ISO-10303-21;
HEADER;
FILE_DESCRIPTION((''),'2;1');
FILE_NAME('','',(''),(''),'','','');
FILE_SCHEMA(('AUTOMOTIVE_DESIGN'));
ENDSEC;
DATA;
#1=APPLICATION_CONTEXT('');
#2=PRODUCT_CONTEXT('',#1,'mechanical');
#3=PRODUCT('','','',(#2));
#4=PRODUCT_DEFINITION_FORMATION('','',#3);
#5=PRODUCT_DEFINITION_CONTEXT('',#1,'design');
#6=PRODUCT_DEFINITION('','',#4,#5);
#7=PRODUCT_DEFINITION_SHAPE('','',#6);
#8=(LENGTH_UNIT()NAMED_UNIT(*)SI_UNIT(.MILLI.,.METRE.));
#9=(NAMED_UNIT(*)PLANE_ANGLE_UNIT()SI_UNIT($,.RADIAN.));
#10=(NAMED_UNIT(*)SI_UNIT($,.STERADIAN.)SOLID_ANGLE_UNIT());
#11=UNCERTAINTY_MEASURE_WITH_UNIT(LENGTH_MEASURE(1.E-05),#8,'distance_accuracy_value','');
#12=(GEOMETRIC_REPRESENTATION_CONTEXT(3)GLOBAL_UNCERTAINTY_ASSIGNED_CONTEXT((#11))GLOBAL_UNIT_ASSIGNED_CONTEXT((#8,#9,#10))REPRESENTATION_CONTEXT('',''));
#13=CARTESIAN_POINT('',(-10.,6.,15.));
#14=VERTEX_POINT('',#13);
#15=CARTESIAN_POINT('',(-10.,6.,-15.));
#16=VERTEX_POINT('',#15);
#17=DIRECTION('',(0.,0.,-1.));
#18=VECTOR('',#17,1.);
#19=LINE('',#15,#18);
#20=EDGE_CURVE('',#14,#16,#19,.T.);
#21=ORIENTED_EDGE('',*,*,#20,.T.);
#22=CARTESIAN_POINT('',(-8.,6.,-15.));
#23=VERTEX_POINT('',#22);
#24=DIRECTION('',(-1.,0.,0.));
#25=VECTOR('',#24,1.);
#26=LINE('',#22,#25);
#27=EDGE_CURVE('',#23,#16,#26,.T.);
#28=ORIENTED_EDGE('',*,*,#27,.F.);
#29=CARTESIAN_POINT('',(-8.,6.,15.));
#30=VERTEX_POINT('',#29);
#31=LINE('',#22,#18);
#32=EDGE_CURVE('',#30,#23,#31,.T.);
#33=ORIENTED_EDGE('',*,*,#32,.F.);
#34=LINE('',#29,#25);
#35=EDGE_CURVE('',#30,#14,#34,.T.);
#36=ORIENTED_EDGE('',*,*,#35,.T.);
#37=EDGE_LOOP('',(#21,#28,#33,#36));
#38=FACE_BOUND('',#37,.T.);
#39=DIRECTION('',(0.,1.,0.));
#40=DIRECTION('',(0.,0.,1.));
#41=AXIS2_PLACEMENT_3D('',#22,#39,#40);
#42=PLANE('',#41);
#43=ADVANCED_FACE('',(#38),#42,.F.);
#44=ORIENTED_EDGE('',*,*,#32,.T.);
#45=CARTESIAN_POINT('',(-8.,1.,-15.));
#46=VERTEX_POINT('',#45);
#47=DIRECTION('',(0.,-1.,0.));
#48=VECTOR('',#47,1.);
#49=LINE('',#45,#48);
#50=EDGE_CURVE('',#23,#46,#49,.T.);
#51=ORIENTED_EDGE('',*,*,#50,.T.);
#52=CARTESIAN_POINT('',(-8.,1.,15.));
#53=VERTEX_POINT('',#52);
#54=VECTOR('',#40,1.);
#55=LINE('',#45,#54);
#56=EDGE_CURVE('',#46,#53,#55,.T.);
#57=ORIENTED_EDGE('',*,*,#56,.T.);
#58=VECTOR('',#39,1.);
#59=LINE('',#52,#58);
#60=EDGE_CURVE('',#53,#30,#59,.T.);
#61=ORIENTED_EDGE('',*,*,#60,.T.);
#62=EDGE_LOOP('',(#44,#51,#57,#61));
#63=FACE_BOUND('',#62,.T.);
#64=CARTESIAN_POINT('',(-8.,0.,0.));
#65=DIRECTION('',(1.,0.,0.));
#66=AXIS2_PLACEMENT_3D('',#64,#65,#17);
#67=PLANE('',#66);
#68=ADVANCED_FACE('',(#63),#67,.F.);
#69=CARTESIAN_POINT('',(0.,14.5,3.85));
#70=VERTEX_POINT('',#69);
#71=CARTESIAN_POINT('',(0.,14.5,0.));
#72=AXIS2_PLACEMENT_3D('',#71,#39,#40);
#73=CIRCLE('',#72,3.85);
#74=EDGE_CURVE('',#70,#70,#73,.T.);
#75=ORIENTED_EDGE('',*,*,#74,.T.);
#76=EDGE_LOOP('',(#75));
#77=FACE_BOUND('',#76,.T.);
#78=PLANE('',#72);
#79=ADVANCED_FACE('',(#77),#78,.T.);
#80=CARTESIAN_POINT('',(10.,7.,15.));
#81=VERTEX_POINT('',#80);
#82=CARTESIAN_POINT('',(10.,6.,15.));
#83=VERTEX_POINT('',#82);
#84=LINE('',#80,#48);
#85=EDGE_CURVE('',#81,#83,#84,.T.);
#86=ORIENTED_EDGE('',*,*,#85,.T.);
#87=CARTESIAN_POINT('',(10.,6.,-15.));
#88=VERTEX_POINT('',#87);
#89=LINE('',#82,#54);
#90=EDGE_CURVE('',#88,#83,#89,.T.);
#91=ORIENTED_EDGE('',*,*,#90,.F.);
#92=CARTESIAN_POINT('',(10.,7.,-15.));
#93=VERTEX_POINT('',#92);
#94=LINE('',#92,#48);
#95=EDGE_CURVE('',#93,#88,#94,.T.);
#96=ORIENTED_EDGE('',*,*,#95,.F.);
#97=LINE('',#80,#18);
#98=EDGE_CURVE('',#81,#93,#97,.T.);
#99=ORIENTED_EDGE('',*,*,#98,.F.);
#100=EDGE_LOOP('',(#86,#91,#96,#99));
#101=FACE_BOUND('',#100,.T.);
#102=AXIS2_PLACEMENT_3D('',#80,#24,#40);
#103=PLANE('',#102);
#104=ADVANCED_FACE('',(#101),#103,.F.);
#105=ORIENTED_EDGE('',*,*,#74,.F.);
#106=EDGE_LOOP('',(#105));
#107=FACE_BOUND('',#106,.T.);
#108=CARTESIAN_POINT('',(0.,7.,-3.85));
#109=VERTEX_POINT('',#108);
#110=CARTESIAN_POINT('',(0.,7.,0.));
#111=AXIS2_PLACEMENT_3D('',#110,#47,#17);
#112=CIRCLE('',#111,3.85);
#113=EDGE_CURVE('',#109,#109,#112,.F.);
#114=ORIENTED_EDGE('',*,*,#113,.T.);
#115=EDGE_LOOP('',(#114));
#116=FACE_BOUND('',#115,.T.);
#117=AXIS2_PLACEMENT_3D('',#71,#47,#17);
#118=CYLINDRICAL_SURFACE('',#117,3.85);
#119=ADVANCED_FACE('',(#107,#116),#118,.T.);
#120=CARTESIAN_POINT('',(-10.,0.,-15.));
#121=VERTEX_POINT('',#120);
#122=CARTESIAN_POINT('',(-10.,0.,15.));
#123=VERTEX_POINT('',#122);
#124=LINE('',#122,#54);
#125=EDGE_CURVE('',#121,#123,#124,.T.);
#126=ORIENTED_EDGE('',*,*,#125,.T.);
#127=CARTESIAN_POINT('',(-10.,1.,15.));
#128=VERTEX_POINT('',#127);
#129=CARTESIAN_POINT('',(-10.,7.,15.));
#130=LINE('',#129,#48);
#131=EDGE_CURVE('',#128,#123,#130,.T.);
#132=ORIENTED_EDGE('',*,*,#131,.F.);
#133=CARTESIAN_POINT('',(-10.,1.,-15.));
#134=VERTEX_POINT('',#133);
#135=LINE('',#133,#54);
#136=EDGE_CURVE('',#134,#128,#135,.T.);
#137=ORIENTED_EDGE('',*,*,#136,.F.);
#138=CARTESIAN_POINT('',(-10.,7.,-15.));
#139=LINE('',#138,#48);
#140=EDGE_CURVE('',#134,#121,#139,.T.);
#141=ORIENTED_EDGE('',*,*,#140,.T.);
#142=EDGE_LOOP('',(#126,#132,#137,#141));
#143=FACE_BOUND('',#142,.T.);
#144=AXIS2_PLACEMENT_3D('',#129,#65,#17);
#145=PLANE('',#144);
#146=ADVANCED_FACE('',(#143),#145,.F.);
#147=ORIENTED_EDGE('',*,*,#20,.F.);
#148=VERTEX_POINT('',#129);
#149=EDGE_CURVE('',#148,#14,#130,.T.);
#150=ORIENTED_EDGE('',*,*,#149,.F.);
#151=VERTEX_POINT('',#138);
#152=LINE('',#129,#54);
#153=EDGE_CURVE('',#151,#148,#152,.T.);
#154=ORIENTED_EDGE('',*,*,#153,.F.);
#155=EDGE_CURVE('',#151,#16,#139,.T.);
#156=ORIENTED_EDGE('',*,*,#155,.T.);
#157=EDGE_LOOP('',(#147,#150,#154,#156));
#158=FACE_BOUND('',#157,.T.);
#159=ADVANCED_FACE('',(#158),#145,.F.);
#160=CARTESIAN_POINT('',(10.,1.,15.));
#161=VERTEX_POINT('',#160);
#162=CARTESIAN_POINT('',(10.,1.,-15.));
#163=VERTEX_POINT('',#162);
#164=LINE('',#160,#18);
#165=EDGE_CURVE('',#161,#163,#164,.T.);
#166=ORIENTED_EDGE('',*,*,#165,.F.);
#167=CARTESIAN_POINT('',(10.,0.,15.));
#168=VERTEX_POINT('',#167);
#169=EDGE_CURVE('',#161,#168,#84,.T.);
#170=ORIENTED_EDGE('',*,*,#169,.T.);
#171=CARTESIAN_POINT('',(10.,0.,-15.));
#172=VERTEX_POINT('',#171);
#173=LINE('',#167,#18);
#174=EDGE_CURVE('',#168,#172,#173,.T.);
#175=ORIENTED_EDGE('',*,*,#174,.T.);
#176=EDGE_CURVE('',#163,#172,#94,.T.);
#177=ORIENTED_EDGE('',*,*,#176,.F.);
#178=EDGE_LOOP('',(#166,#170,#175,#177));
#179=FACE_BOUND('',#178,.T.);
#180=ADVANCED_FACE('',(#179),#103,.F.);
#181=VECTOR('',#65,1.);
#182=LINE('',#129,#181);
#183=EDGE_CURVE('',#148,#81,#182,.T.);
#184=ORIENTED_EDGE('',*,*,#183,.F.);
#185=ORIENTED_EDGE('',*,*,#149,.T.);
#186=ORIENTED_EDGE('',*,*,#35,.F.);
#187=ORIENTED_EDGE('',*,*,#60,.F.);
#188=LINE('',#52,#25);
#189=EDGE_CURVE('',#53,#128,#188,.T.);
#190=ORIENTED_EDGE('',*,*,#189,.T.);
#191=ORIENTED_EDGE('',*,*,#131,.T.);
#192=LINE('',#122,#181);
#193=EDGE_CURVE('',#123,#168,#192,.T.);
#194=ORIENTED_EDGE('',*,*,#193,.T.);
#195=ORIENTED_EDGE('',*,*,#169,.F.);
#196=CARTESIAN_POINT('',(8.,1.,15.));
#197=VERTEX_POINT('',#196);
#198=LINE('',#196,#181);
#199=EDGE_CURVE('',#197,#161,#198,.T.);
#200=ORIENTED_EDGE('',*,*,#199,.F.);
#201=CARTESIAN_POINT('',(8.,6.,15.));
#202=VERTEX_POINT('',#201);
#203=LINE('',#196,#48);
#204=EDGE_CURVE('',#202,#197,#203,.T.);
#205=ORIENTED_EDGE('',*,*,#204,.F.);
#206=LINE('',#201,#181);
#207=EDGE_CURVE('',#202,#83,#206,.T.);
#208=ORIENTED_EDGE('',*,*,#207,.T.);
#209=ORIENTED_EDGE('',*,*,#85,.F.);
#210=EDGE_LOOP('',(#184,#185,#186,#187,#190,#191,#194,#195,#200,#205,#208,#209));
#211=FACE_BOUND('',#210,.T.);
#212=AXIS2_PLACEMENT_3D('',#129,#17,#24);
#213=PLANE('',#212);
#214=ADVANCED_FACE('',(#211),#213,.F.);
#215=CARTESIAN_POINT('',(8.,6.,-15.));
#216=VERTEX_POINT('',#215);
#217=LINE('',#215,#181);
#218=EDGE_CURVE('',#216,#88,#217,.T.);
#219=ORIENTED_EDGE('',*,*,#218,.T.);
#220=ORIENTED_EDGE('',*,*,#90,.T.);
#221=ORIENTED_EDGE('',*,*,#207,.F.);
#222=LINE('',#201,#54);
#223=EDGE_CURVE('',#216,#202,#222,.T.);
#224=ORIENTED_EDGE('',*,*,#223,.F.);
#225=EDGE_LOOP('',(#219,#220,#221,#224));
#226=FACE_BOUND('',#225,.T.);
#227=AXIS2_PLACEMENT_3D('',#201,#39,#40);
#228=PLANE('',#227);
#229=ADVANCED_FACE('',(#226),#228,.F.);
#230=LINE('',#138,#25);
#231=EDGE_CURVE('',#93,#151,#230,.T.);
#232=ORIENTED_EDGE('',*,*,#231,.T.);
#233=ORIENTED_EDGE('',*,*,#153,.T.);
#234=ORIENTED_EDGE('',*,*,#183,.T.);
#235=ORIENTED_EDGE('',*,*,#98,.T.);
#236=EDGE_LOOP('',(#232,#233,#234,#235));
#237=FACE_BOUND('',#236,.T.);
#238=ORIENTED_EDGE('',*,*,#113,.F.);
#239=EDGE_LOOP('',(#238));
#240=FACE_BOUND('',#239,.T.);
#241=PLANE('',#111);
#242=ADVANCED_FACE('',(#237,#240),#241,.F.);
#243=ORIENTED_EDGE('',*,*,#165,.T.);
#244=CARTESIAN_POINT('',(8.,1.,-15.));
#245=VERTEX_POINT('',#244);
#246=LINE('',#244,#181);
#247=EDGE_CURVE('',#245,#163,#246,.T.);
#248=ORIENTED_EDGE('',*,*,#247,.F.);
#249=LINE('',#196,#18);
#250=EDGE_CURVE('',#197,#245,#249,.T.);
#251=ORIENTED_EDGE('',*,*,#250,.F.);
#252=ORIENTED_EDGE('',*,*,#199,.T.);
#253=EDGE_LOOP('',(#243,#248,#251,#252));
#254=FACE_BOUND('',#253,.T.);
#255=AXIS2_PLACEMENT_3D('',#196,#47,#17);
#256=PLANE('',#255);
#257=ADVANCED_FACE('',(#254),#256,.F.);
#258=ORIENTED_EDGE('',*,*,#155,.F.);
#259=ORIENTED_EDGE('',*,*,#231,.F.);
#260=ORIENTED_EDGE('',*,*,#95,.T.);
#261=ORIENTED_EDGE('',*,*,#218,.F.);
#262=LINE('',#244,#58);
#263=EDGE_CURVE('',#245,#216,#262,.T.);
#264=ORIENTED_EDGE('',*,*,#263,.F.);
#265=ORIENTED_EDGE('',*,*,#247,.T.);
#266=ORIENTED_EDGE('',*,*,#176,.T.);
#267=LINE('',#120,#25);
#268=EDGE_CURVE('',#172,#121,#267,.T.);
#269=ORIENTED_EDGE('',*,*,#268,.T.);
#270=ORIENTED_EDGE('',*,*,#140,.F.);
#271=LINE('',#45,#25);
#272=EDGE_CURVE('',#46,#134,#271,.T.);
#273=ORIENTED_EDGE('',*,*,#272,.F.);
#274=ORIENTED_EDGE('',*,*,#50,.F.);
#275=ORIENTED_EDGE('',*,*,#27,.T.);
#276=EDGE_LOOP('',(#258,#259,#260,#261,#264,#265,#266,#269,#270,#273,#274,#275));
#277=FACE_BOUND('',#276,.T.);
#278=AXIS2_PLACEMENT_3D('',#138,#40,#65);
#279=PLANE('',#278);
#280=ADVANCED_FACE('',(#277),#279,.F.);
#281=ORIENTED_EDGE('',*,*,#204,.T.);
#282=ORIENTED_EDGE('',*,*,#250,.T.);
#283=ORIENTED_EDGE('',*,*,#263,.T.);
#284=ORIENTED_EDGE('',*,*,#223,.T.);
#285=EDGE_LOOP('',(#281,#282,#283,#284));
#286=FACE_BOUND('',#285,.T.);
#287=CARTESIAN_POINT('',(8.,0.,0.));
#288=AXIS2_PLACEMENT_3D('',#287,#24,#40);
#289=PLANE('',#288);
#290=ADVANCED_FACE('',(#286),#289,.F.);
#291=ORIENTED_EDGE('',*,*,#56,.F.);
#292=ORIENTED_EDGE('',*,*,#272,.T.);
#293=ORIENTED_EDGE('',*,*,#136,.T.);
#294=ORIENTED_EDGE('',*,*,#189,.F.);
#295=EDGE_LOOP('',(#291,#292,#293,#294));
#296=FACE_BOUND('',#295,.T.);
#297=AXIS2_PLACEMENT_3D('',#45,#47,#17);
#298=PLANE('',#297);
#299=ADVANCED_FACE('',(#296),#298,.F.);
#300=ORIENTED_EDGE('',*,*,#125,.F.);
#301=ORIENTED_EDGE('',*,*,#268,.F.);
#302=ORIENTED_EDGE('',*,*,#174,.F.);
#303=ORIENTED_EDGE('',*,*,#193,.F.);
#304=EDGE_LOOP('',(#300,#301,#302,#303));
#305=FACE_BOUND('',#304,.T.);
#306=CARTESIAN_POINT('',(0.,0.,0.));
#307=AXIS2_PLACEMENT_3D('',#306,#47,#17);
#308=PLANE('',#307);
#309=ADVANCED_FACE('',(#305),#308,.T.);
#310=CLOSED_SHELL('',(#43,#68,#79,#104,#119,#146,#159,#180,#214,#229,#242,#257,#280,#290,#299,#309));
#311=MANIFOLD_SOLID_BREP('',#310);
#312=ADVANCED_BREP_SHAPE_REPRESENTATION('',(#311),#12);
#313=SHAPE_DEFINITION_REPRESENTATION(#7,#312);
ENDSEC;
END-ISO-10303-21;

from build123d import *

# Parameters (mm, degrees)
SKETCH1_W           = 20
SKETCH1_H           = 30
BOSS_EXTRUDE1_DEPTH = 7
SKETCH2_W           = 30
SKETCH2_H           = 5
CUT_EXTRUDE1_DEPTH  = 2
SKETCH3_W           = 30
SKETCH3_H           = 5
CUT_EXTRUDE2_DEPTH  = 2
SKETCH4_R           = 3.85
BOSS_EXTRUDE2_DEPTH = 7.5


with BuildPart() as part:
    # Sketch1 → Boss-Extrude1 (new body)
    with BuildSketch(Plane(origin=(0, 0, 0), x_dir=(1, 0, 0), z_dir=(0, 1, 0))):
        Rectangle(SKETCH1_W, SKETCH1_H)
    extrude(amount=BOSS_EXTRUDE1_DEPTH)

    # Sketch2 → Cut-Extrude1 (cut)
    with BuildSketch(Plane(origin=(10, 0, 0), x_dir=(0, 0, -1), z_dir=(1, 0, 0))):
        with Locations((0, 3.5)):
            Rectangle(SKETCH2_W, SKETCH2_H)
    extrude(amount=-CUT_EXTRUDE1_DEPTH, mode=Mode.SUBTRACT)

    # Sketch3 → Cut-Extrude2 (cut)
    with BuildSketch(Plane.ZY.offset(10)):
        with Locations((0, 3.5)):
            Rectangle(SKETCH3_W, SKETCH3_H)
    extrude(amount=-CUT_EXTRUDE2_DEPTH, mode=Mode.SUBTRACT)

    # Sketch4 → Boss-Extrude2 (add)
    with BuildSketch(Plane(origin=(0, 7, 0), x_dir=(1, 0, 0), z_dir=(0, 1, 0))):
        Circle(SKETCH4_R)
    extrude(amount=BOSS_EXTRUDE2_DEPTH)


solid = part.part
